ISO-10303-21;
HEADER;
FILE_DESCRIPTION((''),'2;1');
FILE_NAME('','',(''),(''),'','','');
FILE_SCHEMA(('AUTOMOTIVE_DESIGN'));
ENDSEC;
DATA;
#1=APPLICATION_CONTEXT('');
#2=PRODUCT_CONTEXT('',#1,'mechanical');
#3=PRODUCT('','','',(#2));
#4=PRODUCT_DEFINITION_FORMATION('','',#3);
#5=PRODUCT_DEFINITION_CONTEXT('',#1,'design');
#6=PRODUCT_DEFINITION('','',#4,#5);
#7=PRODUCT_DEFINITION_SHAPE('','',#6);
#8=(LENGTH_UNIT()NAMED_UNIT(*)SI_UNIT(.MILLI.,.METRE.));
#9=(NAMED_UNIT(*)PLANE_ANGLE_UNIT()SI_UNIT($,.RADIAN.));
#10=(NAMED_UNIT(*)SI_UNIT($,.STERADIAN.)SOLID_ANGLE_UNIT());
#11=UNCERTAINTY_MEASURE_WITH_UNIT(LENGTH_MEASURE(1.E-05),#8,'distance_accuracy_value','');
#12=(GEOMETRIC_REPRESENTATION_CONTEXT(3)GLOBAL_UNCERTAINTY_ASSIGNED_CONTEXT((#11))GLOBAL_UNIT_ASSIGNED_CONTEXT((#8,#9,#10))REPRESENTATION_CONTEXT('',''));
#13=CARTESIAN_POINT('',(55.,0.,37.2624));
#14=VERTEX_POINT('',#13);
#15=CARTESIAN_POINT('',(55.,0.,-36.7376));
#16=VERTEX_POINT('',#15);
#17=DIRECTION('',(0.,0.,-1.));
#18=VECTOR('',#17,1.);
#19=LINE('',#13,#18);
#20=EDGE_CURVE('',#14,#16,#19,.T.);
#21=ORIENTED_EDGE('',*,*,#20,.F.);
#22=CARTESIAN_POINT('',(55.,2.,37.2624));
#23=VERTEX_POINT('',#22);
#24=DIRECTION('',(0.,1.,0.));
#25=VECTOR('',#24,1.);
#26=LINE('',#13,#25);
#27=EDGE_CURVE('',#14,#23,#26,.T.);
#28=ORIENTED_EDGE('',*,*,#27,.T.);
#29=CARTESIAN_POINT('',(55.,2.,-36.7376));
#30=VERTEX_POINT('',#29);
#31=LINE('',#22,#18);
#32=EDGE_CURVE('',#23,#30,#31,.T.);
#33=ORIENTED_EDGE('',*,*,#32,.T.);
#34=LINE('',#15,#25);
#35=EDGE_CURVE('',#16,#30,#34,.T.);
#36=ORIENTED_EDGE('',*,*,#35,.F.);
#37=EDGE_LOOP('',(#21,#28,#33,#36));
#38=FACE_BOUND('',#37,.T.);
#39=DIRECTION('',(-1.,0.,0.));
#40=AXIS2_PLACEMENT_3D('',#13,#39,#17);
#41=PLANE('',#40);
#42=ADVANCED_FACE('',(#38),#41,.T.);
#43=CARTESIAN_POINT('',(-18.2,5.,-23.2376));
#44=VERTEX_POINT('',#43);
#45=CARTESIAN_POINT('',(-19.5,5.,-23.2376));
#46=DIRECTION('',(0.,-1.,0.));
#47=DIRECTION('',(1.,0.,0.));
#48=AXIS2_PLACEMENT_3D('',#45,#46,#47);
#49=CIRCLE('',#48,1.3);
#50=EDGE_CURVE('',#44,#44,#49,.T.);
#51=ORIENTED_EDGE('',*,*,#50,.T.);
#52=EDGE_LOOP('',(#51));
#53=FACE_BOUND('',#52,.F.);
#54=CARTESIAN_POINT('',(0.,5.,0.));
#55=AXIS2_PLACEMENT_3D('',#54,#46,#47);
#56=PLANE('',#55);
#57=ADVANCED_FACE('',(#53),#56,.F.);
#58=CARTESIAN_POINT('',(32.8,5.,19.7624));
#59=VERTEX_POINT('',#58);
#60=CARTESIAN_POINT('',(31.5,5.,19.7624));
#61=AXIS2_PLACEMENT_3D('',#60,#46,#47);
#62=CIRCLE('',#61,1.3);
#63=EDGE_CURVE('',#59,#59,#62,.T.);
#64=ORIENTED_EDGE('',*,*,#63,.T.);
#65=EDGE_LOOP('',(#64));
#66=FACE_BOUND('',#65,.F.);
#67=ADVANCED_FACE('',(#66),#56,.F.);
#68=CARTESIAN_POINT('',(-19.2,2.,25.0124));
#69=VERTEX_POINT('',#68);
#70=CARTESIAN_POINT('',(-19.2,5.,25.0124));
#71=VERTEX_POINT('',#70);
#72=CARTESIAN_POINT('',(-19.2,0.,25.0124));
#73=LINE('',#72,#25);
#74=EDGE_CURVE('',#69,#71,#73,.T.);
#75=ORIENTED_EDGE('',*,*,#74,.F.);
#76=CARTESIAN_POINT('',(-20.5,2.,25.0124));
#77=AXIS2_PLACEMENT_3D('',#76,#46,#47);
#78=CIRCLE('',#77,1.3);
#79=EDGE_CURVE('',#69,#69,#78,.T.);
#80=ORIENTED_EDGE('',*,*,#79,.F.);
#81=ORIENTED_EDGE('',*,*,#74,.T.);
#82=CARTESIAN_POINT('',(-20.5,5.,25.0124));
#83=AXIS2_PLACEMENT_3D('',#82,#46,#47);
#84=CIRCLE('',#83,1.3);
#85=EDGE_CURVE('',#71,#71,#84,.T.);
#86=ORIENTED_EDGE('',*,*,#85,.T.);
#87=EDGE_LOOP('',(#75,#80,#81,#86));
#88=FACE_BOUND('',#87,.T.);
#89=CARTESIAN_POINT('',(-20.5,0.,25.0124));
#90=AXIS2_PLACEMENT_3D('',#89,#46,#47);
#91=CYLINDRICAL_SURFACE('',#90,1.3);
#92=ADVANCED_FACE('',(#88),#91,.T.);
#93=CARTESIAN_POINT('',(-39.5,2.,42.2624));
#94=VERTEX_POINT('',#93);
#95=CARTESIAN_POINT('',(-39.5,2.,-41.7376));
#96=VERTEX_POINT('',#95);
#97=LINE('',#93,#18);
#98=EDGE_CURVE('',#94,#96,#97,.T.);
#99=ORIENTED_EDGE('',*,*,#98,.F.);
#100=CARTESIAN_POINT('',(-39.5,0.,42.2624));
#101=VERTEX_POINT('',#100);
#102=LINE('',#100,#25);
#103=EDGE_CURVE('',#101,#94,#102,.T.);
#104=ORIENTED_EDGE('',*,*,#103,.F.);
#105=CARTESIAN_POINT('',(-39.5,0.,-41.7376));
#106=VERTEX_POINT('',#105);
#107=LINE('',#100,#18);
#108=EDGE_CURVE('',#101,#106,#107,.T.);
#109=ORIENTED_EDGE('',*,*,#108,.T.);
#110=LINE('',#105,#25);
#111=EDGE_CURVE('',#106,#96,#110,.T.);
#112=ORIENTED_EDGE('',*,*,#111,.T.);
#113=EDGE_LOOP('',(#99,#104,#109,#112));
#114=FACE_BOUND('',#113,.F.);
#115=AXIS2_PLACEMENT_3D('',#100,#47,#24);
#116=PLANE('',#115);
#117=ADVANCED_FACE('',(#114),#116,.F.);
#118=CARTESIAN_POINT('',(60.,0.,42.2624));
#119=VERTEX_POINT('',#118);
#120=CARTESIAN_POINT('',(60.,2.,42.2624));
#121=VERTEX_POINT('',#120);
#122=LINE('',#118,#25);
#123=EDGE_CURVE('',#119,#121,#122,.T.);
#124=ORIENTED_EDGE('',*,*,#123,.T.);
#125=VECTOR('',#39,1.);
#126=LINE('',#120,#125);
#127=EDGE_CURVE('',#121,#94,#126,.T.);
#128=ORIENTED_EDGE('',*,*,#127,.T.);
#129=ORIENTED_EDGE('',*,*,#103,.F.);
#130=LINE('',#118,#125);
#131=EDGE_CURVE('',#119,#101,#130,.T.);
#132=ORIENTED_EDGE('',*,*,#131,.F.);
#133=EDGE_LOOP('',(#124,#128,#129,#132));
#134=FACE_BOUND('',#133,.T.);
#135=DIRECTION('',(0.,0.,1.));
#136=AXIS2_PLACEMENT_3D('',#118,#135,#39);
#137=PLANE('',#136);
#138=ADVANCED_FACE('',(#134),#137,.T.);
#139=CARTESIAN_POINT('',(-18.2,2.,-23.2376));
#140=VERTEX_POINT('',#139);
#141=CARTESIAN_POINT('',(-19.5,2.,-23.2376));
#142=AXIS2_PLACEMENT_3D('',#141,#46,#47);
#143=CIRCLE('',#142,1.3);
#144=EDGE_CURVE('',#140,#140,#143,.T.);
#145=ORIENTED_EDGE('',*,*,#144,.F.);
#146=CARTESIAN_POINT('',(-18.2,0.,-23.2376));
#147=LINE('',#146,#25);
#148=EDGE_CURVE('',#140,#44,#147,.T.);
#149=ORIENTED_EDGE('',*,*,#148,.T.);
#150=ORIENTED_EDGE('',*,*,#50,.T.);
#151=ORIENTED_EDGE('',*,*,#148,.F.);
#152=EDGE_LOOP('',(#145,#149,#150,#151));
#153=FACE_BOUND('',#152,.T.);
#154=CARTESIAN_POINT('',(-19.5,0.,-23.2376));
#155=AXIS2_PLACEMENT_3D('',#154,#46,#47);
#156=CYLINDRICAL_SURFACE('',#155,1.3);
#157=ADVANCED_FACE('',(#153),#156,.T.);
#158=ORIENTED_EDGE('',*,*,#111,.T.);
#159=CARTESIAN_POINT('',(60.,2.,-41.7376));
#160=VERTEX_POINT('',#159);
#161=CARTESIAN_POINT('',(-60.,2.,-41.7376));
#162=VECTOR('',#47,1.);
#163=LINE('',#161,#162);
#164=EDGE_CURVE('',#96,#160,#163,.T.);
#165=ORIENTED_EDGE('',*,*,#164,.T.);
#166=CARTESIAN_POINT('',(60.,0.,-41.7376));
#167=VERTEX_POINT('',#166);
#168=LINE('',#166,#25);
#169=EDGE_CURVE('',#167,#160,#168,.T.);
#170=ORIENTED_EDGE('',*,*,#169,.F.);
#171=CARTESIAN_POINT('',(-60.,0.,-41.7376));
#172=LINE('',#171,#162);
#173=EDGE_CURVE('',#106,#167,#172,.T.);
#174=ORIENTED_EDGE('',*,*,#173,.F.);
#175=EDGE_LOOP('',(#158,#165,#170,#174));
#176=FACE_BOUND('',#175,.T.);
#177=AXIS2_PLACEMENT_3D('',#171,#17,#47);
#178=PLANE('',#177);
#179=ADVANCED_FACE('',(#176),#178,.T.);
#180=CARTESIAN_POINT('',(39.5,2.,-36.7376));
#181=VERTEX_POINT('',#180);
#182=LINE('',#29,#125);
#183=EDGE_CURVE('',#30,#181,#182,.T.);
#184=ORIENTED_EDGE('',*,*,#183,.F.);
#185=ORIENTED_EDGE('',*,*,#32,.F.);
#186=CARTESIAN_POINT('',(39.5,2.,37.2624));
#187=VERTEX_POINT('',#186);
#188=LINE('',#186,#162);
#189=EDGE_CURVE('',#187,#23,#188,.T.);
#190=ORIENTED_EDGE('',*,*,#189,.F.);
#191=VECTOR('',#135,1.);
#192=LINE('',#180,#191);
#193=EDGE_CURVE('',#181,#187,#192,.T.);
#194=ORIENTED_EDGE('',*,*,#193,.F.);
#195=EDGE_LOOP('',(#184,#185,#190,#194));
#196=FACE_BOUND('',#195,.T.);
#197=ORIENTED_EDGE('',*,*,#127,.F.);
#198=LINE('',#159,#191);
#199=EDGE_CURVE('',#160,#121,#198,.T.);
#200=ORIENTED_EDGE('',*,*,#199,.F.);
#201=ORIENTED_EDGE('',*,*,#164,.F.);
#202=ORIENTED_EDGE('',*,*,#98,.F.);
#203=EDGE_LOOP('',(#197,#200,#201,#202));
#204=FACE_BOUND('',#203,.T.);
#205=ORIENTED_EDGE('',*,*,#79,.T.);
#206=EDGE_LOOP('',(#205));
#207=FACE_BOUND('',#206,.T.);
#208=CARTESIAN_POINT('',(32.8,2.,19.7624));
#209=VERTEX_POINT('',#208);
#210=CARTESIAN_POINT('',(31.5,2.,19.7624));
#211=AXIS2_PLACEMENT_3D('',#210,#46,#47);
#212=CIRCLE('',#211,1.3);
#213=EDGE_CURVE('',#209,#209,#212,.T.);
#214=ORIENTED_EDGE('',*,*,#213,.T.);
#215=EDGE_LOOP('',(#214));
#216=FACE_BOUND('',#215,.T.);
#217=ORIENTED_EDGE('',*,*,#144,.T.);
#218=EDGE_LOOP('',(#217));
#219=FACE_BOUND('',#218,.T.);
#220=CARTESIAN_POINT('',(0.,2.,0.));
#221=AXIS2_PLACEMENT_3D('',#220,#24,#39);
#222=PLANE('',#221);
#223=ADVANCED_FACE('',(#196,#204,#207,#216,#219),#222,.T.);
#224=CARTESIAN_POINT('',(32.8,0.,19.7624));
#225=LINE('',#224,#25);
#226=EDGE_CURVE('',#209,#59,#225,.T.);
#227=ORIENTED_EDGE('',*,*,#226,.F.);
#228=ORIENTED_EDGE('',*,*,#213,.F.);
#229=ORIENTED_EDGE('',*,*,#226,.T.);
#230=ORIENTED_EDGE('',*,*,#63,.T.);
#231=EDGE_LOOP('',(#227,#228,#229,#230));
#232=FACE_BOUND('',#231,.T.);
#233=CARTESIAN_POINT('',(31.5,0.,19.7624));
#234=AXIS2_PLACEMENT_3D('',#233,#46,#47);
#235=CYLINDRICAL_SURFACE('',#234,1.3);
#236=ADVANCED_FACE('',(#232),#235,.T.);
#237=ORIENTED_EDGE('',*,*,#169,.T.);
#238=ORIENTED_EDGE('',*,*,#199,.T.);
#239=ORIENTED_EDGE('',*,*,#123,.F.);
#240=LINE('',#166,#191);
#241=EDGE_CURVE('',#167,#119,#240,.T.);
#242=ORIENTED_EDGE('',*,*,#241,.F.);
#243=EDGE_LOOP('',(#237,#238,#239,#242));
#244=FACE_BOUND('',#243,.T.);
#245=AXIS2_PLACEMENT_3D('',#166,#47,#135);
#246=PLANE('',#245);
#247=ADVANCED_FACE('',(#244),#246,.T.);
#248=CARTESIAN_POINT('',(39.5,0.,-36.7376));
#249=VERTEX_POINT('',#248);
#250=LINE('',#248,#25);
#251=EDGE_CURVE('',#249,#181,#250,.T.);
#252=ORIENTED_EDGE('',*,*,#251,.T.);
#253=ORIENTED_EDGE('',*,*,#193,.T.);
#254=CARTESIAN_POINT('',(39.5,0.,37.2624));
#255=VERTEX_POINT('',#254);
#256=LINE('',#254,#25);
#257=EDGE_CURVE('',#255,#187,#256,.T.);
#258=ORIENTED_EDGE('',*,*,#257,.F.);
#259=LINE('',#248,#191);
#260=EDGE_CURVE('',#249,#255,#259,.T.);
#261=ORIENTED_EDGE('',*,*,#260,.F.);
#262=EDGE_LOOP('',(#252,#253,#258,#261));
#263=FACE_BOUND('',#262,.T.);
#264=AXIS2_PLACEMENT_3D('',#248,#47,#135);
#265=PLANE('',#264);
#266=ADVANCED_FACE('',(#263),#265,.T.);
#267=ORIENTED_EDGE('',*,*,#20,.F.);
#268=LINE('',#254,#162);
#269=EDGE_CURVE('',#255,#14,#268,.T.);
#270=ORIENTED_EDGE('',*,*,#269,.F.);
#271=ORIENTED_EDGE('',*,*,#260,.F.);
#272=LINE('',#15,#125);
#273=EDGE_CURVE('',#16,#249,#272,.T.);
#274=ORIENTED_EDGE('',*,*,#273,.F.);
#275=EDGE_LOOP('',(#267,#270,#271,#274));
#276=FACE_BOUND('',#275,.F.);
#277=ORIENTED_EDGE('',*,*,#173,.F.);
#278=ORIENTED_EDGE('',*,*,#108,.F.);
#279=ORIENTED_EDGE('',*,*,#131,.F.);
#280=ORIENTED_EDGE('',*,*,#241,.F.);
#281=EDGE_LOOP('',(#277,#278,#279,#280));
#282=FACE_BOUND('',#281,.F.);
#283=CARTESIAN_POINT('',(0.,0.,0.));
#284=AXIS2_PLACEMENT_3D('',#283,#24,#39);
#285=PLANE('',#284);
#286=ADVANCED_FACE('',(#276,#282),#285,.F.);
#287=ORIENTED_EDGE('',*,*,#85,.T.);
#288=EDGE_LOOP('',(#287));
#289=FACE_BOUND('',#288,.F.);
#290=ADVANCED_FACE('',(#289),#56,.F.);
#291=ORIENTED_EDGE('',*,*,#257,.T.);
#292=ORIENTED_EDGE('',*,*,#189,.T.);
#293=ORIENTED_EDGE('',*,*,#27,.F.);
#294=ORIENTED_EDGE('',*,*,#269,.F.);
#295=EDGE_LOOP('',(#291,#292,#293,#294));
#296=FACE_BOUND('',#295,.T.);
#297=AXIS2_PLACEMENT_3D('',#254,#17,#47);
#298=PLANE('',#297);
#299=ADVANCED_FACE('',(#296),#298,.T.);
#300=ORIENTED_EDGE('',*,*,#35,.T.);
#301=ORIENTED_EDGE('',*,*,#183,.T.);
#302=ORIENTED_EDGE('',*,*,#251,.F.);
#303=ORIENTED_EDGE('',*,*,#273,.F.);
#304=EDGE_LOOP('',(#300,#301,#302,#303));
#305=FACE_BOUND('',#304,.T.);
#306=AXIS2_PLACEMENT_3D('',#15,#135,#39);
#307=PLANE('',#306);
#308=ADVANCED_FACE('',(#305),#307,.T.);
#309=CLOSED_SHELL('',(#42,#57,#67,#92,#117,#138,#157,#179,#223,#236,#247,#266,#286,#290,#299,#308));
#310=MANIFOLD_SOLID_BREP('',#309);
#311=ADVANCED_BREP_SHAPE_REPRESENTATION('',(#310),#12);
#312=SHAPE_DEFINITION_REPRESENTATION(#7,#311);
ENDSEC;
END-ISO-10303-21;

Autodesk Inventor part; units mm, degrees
ref_plane "YZ Plane" through (0, 0, 0) normal (1, 0, 0) x (0, 1, 0)
ref_plane "XZ Plane" through (0, 0, 0) normal (0, 1, 0) x (-1, 0, 0)
ref_plane "XY Plane" through (0, 0, 0) normal (0, 0, 1) x (1, 0, 0)
sketch "Szkic1" plane through (0, 0, 0) normal (0, 1, 0) x (-1, 0, 0)
  line L0 (-60, 42.2624) -> (60, 42.2624)
  line L1 (60, 42.2624) -> (60, -41.7376)
  line L2 (60, -41.7376) -> (-60, -41.7376)
  line L3 (-60, -41.7376) -> (-60, 42.2624)
  line L4 (-34.5, 26.7624) -> (34.5, 26.7624)
  line L5 (34.5, 26.7624) -> (34.5, -26.2376)
  line L6 (34.5, -26.2376) -> (-34.5, -26.2376)
  line L7 (-34.5, -26.2376) -> (-34.5, 26.7624)
  line L8 (39.5, 37.2624) -> (55, 37.2624)
  line L9 (55, 37.2624) -> (55, -36.7376)
  line L10 (55, -36.7376) -> (39.5, -36.7376)
  line L11 (39.5, -36.7376) -> (39.5, 37.2624)
  line L12 (39.5, 37.2624) -> (55, -36.7376) construction
  line L13 (55, 37.2624) -> (39.5, -36.7376) construction
  line L14 (-39.5, 37.2624) -> (-55, 37.2624)
  line L15 (-55, 37.2624) -> (-55, -36.7376)
  line L16 (-55, -36.7376) -> (-39.5, -36.7376)
  line L17 (-39.5, -36.7376) -> (-39.5, 37.2624)
  line L18 (-39.5, 37.2624) -> (-55, -36.7376) construction
  line L19 (-55, 37.2624) -> (-39.5, -36.7376) construction
  circle A0 centre (19.5, -23.2376) radius 1.3
  line L20 (0, 0) -> (11.1545, 0)
  circle A1 centre (20.5, 23.7624) radius 1.3
  circle A2 centre (-31.5, 18.7624) radius 1.3
  circle A3 centre (20.5, 23.7624) radius 1.3
  circle A4 centre (19.5, -23.2376) radius 1.3
  circle A5 centre (-31.5, 18.7624) radius 1.3
  point P0 (47.25, 0.2624)
  dimension "d0" = 120
  dimension "d1" = 84
  dimension "d4" = 69
  dimension "d5" = 53
  dimension "d8" = 5
  dimension "d9" = 5
  dimension "d13" = 2.6
  dimension "d14" = 3
  dimension "d15" = 15
  dimension "d16" = 15.5
  dimension "d17" = 15.5
  dimension "d18" = 25.5
  dimension "d19" = 5
  dimension "d20" = 5
  dimension "d23" = 2.6
  dimension "d24" = 3
  dimension "d25" = 14
  dimension "d28" = 2.6
extrude "Wyciągnięcie proste1" add sketch "Szkic1" along normal blind 2 contours L0 L1 L2 L3 | L4 L5 L6 L7 | A0 | A1 | A2
sketch "Szkic3" plane through (0, 0, 0) normal (0, -1, 0) x (1, 0, 0)
  circle A0 centre (-20.5, 23.7624) radius 1.3
  circle A1 centre (31.5, 18.7624) radius 1.3 projected
  circle A2 centre (-19.5, -23.2376) radius 1.3 projected
  circle A3 centre (-19.5, -23.2376) radius 1.3
  circle A4 centre (-20.5, 25.0124) radius 1.3
  line L0 (31.5, 18.7624) -> (31.5, 19.7624)
  circle A5 centre (31.5, 19.7624) radius 1.3
  point P0 (0, 0)
  dimension "d31" = 2.6
  dimension "d32" = 48.25
  dimension "d36" = 1
extrude "Wyciągnięcie proste2" add sketch "Szkic3" against normal blind 5 contours A4 A0 | A0 A4 | A5 A1 | A1 A5 | A2 picked at (-20.4486, 24.1655) picked at (-20.5582, 25.8863) picked at (31.399, 19.5171) picked at (31.6684, 20.3785)
sketch "Szkic4" plane through (0, 0, 0) normal (0, -1, 0) x (1, 0, 0)
  arc A0 (-21.6399, 24.3874) -> (-19.3601, 24.3874) centre (-20.5, 23.7624) ccw projected
  circle A1 centre (-20.5, 23.7624) radius 1.3
  arc A2 (30.3, 19.2624) -> (32.7, 19.2624) centre (31.5, 18.7624) ccw projected
  circle A3 centre (31.5, 18.7624) radius 1.3
  point P0 (0, 0)
  point P1 (32.7, 19.2624)
extrude "Wyciągnięcie proste3" add sketch "Szkic4" against normal blind 2
sketch "Szkic5" plane through (-60, 0, 42.2624) normal (0, 0, 1) x (1, 0, 0)
  line L0 (0, 0) -> (0, 2) projected
  line L1 (5, 0) -> (20.5, 0) projected
  line L2 (0, 0) -> (20.5, 0)
  line L3 (5, 2) -> (20.5, 2) projected
  line L4 (20.5, 0) -> (20.5, 2)
  line L5 (20.5, 2) -> (0, 2)
  line L6 (0, 2) -> (0, 0)
  point P0 (60, 0)
extrude "Wyciągnięcie proste4" cut sketch "Szkic5" against normal up to surface (84 mm away)
properties part number "gora"
